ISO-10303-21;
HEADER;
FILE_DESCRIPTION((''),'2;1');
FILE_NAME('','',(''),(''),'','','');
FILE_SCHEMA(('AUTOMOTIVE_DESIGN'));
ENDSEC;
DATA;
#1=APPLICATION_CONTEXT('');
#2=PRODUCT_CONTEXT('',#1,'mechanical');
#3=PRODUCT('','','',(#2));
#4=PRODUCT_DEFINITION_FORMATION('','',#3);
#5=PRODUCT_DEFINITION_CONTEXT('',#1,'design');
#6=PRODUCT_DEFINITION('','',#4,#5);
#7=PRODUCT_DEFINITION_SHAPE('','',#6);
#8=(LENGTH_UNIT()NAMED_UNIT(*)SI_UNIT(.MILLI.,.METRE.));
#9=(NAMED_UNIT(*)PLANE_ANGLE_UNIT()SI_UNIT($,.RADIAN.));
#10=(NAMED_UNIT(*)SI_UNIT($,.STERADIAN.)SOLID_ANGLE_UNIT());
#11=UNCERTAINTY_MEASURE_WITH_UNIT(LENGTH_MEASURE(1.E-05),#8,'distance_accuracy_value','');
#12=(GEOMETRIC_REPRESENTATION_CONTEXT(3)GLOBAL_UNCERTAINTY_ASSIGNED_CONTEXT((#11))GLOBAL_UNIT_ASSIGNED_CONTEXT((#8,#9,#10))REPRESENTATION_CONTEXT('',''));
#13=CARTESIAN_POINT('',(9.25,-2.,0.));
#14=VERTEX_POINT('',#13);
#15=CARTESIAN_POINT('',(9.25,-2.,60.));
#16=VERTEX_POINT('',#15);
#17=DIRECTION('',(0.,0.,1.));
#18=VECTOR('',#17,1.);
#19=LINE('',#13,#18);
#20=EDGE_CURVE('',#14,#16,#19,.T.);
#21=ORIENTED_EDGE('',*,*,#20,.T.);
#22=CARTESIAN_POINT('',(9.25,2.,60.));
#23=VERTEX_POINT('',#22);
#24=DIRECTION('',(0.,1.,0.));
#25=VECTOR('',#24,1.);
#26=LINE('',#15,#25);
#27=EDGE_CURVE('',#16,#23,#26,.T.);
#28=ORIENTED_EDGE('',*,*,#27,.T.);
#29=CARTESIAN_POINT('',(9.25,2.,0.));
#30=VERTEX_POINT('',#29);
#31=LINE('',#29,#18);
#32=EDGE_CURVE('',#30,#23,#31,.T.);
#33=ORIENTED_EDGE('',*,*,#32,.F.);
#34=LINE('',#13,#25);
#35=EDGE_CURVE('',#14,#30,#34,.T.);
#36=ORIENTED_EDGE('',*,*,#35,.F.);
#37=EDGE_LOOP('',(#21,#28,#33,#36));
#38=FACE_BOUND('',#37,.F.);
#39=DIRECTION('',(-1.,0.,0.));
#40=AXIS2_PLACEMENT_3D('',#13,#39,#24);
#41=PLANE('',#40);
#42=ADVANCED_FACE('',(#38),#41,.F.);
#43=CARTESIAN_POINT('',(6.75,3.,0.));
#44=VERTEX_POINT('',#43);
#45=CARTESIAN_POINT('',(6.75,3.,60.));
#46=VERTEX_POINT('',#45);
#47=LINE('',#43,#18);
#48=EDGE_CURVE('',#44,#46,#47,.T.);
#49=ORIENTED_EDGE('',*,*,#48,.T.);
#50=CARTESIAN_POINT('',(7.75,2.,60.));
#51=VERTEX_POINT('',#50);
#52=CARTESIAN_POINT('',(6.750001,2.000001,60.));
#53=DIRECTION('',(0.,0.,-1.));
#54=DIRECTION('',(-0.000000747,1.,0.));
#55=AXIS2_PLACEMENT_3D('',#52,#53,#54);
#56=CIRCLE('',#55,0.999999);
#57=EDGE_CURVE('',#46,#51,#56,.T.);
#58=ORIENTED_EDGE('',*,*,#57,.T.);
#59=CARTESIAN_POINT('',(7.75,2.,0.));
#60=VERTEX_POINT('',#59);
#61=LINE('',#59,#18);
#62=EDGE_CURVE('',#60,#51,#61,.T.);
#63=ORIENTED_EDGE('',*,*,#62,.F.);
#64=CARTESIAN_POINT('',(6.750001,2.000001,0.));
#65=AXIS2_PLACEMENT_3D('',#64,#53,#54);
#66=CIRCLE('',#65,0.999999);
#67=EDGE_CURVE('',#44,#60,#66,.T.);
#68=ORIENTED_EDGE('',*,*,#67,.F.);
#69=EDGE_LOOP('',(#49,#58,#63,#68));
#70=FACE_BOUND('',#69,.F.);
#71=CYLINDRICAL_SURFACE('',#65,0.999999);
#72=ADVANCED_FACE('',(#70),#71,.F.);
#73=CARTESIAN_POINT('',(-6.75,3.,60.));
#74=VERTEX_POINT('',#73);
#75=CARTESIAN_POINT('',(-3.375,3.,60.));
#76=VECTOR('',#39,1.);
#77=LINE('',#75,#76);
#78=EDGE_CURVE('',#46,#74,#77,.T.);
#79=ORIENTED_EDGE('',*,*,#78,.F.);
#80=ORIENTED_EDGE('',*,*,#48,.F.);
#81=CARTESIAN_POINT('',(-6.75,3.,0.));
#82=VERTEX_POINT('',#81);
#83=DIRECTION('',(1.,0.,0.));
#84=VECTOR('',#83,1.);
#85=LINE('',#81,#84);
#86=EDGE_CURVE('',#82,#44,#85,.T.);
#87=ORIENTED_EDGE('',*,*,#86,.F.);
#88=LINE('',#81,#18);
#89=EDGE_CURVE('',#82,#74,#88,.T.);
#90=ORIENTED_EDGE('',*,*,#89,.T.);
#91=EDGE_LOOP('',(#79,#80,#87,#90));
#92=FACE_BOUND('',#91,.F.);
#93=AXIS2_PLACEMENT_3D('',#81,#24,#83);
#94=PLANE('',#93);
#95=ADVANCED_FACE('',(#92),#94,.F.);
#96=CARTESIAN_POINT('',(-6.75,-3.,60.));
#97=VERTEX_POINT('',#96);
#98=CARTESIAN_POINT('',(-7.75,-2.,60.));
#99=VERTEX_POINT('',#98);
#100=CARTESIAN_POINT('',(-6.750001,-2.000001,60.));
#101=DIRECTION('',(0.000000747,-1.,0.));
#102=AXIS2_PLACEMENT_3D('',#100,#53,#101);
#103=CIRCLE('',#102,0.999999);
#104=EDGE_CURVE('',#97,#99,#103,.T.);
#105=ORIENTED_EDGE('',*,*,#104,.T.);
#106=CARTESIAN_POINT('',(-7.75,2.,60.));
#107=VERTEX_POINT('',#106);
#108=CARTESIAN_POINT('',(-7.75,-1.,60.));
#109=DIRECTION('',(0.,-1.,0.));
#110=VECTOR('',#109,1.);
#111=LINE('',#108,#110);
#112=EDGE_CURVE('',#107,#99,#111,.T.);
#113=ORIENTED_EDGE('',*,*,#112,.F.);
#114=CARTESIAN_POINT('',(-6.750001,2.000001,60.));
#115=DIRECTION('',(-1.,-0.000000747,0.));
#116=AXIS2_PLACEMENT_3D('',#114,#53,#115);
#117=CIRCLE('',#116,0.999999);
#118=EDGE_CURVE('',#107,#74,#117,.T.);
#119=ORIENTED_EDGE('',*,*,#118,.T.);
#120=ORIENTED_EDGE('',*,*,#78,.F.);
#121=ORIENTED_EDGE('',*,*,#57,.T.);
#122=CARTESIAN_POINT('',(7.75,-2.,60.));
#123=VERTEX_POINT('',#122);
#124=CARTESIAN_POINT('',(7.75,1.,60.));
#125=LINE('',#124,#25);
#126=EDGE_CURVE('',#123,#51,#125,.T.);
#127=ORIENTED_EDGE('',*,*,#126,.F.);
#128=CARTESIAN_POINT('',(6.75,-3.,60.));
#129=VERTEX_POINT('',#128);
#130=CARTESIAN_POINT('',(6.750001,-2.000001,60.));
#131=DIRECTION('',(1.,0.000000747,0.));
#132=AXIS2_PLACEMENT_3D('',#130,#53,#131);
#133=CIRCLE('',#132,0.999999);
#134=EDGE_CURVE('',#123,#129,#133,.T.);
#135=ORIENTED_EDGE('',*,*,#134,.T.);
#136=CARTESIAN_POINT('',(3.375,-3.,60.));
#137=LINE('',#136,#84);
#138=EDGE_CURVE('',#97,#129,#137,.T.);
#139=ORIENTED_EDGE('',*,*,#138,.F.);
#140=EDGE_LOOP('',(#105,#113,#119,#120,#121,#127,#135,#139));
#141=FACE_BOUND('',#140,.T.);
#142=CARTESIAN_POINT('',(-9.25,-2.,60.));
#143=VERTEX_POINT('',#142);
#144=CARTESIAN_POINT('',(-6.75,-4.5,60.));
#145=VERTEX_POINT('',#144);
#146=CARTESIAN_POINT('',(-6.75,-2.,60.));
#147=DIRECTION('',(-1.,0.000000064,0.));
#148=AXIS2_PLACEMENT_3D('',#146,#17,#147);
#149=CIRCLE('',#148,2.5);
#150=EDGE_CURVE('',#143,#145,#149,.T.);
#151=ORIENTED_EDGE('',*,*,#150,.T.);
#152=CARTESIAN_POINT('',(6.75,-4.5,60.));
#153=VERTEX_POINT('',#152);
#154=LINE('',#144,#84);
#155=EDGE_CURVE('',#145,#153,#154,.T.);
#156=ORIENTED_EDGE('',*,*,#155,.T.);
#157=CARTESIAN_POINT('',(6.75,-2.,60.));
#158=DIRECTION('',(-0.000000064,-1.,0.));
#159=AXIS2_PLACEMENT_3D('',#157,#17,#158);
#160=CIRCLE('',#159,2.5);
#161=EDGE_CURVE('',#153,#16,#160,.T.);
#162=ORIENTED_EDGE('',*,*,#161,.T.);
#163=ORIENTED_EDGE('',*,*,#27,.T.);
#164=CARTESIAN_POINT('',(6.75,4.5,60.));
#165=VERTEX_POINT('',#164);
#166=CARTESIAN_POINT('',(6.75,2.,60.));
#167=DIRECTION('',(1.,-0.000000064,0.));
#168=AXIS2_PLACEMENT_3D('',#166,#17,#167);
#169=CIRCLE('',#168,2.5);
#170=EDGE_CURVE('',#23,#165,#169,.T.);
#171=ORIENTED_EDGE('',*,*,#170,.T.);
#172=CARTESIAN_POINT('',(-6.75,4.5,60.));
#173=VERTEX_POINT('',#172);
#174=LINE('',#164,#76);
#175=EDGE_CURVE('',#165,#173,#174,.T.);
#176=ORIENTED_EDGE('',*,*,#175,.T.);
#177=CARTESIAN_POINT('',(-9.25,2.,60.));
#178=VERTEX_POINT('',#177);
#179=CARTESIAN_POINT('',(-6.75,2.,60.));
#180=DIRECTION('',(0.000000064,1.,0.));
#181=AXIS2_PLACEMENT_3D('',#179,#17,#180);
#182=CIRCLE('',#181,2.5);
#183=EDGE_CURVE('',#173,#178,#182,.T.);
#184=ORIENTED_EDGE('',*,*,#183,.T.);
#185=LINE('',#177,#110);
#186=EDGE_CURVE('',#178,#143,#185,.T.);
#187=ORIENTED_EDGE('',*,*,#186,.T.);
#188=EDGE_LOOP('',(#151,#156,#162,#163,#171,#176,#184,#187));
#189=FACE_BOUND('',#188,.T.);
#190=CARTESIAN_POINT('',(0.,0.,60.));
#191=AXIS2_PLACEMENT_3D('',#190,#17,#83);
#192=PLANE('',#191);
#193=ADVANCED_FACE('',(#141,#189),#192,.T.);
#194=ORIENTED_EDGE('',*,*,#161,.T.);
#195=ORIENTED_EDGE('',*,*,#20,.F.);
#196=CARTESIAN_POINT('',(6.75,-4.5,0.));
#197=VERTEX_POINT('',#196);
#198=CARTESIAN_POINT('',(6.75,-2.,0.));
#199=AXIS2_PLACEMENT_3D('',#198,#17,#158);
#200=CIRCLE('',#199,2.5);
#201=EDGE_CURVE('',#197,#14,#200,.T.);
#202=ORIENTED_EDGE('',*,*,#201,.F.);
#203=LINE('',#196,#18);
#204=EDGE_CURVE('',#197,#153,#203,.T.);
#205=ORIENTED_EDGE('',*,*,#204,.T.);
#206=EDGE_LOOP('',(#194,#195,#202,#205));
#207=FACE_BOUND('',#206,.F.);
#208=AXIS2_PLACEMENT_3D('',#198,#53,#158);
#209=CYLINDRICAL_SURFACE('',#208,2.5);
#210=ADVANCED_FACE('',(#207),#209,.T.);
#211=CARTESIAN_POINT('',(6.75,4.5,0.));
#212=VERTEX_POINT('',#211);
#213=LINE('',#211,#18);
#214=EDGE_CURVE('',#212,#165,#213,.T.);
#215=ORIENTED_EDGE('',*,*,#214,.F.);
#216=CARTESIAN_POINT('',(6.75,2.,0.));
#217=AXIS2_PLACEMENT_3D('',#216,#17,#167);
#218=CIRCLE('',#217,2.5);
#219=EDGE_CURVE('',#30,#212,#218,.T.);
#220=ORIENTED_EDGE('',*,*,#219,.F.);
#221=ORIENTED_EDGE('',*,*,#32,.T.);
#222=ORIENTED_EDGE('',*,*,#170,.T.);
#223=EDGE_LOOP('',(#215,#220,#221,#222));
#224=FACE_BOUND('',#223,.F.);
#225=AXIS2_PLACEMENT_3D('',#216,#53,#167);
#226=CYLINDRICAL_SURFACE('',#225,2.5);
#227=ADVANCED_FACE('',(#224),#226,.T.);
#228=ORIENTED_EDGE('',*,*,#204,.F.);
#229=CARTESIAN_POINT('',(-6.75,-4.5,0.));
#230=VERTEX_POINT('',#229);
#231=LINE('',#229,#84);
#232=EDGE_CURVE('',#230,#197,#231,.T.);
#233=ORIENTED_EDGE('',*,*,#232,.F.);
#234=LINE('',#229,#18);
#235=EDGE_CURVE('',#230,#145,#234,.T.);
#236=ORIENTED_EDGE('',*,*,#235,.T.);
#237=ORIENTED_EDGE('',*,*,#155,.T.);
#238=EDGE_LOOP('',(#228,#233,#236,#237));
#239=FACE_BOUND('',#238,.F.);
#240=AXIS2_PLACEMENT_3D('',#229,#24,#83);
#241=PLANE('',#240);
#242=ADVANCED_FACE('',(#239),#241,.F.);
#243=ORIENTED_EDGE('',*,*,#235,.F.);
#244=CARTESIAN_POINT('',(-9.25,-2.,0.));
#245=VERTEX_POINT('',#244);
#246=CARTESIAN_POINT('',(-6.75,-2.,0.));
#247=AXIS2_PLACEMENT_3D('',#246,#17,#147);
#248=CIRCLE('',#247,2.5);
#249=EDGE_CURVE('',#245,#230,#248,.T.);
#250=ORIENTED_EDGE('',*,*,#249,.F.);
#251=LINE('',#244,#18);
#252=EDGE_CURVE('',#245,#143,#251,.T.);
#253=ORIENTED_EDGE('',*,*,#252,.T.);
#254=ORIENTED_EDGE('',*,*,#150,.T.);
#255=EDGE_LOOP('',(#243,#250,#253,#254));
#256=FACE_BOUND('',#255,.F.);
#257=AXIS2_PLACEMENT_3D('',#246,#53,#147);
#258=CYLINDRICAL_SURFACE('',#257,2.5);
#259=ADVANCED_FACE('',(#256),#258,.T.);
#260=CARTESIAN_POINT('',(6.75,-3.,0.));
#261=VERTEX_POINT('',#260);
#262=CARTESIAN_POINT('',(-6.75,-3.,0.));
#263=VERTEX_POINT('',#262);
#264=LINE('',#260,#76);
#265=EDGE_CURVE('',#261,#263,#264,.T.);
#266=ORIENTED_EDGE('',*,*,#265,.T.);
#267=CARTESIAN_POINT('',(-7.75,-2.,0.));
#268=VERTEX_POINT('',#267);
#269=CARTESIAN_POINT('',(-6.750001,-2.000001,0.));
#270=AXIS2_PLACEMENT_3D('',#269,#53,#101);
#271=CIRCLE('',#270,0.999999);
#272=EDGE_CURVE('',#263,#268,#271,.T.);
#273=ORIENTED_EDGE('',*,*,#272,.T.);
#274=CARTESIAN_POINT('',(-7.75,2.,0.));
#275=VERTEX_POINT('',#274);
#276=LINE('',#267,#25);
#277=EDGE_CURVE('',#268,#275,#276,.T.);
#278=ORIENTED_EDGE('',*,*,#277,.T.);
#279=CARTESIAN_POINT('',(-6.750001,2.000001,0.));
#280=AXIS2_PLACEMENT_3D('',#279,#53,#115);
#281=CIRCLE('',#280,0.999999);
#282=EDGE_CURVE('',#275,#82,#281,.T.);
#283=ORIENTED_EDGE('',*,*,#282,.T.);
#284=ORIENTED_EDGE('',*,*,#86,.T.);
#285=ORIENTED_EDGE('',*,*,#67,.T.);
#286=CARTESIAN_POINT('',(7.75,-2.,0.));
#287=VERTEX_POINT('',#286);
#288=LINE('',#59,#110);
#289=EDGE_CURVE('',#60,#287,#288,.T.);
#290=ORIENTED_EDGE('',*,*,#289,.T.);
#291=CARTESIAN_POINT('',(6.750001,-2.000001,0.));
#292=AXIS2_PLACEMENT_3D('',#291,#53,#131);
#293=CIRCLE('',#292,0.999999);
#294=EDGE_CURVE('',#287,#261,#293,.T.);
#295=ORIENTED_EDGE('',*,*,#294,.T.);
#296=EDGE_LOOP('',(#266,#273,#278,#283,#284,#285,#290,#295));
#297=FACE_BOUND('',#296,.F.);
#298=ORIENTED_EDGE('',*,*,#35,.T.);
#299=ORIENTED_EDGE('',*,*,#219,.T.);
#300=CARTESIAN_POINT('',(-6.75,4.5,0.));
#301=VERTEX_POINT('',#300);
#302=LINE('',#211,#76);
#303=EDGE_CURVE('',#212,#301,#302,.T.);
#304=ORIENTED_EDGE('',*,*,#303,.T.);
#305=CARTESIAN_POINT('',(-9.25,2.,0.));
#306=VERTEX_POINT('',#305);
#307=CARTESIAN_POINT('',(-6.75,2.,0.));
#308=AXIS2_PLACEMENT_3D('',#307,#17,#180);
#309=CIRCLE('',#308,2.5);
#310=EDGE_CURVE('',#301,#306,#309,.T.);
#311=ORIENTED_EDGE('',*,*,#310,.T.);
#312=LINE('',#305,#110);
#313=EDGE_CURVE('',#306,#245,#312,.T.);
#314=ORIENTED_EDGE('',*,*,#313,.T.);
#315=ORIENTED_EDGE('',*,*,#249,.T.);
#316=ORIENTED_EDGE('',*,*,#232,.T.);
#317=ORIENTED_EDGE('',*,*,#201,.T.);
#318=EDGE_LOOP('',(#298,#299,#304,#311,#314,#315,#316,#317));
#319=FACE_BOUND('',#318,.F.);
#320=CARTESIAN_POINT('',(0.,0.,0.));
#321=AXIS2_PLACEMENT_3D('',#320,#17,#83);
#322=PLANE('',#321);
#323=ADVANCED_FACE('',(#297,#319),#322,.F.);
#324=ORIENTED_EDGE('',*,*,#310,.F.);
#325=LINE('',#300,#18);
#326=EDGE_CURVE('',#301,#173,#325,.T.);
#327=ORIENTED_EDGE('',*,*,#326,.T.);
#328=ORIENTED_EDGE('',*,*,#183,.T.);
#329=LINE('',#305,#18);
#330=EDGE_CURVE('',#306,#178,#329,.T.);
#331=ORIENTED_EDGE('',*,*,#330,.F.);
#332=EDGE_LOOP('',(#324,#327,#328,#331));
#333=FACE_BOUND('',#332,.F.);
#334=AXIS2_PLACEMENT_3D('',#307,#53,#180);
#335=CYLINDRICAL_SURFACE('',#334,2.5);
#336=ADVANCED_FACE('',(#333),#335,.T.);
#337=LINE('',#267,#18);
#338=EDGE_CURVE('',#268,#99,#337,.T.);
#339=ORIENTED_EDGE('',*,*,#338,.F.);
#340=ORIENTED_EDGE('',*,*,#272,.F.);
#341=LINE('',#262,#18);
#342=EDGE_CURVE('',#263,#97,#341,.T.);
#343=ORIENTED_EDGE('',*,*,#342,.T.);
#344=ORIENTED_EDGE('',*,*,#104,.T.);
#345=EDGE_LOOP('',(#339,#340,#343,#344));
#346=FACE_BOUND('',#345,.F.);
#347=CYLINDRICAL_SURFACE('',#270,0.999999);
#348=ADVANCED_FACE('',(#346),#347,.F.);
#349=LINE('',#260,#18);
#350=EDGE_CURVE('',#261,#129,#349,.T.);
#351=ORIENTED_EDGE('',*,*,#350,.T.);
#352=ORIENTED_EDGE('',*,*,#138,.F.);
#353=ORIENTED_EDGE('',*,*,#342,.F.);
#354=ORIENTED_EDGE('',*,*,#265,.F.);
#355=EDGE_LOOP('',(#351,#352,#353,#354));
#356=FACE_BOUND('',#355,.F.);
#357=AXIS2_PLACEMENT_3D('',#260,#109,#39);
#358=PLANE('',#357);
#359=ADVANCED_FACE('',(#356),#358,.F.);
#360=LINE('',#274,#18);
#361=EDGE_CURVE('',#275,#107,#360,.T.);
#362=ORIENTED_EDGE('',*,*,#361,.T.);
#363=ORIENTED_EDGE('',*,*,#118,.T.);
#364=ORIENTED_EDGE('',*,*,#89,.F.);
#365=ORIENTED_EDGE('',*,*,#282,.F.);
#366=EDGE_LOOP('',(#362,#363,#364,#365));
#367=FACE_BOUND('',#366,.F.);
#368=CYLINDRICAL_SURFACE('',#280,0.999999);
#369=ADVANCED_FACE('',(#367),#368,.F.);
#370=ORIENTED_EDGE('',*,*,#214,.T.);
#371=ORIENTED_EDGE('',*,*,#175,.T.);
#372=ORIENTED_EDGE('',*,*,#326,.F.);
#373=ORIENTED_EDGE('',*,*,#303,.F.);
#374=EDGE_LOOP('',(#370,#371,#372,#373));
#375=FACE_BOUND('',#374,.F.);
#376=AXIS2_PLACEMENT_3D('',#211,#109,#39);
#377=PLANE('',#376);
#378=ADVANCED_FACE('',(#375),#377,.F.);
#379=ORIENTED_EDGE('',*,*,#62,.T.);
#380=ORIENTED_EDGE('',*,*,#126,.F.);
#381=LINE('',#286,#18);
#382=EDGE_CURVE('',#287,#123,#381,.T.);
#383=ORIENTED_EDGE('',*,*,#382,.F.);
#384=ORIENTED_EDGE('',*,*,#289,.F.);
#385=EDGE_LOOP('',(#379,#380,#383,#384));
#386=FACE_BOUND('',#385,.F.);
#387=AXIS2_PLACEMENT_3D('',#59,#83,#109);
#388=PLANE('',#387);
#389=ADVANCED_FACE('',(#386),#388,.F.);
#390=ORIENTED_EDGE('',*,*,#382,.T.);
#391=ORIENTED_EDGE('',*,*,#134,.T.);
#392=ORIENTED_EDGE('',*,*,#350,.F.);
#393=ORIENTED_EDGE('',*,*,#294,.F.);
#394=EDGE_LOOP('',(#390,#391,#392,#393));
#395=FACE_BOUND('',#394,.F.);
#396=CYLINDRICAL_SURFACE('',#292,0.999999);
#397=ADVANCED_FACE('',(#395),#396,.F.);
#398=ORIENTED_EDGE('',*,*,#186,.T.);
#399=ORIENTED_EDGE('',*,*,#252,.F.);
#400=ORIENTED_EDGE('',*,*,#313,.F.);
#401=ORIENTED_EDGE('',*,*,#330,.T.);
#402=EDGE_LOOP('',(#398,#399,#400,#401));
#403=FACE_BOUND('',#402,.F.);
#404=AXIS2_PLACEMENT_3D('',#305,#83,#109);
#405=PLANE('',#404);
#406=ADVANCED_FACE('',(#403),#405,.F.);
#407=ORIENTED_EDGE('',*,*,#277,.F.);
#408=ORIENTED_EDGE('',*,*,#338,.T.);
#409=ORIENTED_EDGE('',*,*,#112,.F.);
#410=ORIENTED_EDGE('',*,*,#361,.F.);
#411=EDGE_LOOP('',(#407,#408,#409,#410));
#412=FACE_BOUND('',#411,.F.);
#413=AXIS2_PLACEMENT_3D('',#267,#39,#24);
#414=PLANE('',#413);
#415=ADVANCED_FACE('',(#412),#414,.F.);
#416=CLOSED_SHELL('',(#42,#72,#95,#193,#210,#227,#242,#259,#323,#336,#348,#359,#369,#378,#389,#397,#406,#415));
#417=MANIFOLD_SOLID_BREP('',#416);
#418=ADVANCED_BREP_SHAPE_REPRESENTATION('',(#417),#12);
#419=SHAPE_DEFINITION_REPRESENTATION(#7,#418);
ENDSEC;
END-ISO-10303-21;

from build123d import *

# Parameters (mm, degrees)
F1_DEPTH = 60
F3_DEPTH = 60.001


with BuildPart() as f1:
    # F0 (on Top) → F1 (new body)
    with BuildSketch(Plane.XY):
        with BuildLine():
            Line((6.75, 4.5), (-6.75, 4.5))
            ThreePointArc((-6.75, 4.5), (-8.517767, 3.767767), (-9.25, 2))
            Line((-9.25, 2), (-9.25, -2))
            ThreePointArc((-9.25, -2), (-8.517767, -3.767767), (-6.75, -4.5))
            Line((-6.75, -4.5), (6.75, -4.5))
            ThreePointArc((6.75, -4.5), (8.517767, -3.767767), (9.25, -2))
            Line((9.25, -2), (9.25, 2))
            ThreePointArc((9.25, 2), (8.517767, 3.767767), (6.75, 4.5))
        make_face()
    extrude(amount=F1_DEPTH)

    # F2 (on face) → F3 (cut, through all)
    with BuildSketch(Plane(origin=(0, 0, 0), x_dir=(1, 0, 0), z_dir=(0, 0, -1))):
        with BuildLine():
            Line((6.75, 3), (-6.75, 3))
            ThreePointArc((-6.75, 3), (-7.457107, 2.707107), (-7.75, 2))
            Line((-7.75, 2), (-7.75, -2))
            ThreePointArc((-7.75, -2), (-7.457107, -2.707107), (-6.75, -3))
            Line((-6.75, -3), (6.75, -3))
            ThreePointArc((6.75, -3), (7.457107, -2.707107), (7.75, -2))
            Line((7.75, -2), (7.75, 2))
            ThreePointArc((7.75, 2), (7.457107, 2.707107), (6.75, 3))
        make_face()
    extrude(amount=-F3_DEPTH, mode=Mode.SUBTRACT)


solid = f1.part
